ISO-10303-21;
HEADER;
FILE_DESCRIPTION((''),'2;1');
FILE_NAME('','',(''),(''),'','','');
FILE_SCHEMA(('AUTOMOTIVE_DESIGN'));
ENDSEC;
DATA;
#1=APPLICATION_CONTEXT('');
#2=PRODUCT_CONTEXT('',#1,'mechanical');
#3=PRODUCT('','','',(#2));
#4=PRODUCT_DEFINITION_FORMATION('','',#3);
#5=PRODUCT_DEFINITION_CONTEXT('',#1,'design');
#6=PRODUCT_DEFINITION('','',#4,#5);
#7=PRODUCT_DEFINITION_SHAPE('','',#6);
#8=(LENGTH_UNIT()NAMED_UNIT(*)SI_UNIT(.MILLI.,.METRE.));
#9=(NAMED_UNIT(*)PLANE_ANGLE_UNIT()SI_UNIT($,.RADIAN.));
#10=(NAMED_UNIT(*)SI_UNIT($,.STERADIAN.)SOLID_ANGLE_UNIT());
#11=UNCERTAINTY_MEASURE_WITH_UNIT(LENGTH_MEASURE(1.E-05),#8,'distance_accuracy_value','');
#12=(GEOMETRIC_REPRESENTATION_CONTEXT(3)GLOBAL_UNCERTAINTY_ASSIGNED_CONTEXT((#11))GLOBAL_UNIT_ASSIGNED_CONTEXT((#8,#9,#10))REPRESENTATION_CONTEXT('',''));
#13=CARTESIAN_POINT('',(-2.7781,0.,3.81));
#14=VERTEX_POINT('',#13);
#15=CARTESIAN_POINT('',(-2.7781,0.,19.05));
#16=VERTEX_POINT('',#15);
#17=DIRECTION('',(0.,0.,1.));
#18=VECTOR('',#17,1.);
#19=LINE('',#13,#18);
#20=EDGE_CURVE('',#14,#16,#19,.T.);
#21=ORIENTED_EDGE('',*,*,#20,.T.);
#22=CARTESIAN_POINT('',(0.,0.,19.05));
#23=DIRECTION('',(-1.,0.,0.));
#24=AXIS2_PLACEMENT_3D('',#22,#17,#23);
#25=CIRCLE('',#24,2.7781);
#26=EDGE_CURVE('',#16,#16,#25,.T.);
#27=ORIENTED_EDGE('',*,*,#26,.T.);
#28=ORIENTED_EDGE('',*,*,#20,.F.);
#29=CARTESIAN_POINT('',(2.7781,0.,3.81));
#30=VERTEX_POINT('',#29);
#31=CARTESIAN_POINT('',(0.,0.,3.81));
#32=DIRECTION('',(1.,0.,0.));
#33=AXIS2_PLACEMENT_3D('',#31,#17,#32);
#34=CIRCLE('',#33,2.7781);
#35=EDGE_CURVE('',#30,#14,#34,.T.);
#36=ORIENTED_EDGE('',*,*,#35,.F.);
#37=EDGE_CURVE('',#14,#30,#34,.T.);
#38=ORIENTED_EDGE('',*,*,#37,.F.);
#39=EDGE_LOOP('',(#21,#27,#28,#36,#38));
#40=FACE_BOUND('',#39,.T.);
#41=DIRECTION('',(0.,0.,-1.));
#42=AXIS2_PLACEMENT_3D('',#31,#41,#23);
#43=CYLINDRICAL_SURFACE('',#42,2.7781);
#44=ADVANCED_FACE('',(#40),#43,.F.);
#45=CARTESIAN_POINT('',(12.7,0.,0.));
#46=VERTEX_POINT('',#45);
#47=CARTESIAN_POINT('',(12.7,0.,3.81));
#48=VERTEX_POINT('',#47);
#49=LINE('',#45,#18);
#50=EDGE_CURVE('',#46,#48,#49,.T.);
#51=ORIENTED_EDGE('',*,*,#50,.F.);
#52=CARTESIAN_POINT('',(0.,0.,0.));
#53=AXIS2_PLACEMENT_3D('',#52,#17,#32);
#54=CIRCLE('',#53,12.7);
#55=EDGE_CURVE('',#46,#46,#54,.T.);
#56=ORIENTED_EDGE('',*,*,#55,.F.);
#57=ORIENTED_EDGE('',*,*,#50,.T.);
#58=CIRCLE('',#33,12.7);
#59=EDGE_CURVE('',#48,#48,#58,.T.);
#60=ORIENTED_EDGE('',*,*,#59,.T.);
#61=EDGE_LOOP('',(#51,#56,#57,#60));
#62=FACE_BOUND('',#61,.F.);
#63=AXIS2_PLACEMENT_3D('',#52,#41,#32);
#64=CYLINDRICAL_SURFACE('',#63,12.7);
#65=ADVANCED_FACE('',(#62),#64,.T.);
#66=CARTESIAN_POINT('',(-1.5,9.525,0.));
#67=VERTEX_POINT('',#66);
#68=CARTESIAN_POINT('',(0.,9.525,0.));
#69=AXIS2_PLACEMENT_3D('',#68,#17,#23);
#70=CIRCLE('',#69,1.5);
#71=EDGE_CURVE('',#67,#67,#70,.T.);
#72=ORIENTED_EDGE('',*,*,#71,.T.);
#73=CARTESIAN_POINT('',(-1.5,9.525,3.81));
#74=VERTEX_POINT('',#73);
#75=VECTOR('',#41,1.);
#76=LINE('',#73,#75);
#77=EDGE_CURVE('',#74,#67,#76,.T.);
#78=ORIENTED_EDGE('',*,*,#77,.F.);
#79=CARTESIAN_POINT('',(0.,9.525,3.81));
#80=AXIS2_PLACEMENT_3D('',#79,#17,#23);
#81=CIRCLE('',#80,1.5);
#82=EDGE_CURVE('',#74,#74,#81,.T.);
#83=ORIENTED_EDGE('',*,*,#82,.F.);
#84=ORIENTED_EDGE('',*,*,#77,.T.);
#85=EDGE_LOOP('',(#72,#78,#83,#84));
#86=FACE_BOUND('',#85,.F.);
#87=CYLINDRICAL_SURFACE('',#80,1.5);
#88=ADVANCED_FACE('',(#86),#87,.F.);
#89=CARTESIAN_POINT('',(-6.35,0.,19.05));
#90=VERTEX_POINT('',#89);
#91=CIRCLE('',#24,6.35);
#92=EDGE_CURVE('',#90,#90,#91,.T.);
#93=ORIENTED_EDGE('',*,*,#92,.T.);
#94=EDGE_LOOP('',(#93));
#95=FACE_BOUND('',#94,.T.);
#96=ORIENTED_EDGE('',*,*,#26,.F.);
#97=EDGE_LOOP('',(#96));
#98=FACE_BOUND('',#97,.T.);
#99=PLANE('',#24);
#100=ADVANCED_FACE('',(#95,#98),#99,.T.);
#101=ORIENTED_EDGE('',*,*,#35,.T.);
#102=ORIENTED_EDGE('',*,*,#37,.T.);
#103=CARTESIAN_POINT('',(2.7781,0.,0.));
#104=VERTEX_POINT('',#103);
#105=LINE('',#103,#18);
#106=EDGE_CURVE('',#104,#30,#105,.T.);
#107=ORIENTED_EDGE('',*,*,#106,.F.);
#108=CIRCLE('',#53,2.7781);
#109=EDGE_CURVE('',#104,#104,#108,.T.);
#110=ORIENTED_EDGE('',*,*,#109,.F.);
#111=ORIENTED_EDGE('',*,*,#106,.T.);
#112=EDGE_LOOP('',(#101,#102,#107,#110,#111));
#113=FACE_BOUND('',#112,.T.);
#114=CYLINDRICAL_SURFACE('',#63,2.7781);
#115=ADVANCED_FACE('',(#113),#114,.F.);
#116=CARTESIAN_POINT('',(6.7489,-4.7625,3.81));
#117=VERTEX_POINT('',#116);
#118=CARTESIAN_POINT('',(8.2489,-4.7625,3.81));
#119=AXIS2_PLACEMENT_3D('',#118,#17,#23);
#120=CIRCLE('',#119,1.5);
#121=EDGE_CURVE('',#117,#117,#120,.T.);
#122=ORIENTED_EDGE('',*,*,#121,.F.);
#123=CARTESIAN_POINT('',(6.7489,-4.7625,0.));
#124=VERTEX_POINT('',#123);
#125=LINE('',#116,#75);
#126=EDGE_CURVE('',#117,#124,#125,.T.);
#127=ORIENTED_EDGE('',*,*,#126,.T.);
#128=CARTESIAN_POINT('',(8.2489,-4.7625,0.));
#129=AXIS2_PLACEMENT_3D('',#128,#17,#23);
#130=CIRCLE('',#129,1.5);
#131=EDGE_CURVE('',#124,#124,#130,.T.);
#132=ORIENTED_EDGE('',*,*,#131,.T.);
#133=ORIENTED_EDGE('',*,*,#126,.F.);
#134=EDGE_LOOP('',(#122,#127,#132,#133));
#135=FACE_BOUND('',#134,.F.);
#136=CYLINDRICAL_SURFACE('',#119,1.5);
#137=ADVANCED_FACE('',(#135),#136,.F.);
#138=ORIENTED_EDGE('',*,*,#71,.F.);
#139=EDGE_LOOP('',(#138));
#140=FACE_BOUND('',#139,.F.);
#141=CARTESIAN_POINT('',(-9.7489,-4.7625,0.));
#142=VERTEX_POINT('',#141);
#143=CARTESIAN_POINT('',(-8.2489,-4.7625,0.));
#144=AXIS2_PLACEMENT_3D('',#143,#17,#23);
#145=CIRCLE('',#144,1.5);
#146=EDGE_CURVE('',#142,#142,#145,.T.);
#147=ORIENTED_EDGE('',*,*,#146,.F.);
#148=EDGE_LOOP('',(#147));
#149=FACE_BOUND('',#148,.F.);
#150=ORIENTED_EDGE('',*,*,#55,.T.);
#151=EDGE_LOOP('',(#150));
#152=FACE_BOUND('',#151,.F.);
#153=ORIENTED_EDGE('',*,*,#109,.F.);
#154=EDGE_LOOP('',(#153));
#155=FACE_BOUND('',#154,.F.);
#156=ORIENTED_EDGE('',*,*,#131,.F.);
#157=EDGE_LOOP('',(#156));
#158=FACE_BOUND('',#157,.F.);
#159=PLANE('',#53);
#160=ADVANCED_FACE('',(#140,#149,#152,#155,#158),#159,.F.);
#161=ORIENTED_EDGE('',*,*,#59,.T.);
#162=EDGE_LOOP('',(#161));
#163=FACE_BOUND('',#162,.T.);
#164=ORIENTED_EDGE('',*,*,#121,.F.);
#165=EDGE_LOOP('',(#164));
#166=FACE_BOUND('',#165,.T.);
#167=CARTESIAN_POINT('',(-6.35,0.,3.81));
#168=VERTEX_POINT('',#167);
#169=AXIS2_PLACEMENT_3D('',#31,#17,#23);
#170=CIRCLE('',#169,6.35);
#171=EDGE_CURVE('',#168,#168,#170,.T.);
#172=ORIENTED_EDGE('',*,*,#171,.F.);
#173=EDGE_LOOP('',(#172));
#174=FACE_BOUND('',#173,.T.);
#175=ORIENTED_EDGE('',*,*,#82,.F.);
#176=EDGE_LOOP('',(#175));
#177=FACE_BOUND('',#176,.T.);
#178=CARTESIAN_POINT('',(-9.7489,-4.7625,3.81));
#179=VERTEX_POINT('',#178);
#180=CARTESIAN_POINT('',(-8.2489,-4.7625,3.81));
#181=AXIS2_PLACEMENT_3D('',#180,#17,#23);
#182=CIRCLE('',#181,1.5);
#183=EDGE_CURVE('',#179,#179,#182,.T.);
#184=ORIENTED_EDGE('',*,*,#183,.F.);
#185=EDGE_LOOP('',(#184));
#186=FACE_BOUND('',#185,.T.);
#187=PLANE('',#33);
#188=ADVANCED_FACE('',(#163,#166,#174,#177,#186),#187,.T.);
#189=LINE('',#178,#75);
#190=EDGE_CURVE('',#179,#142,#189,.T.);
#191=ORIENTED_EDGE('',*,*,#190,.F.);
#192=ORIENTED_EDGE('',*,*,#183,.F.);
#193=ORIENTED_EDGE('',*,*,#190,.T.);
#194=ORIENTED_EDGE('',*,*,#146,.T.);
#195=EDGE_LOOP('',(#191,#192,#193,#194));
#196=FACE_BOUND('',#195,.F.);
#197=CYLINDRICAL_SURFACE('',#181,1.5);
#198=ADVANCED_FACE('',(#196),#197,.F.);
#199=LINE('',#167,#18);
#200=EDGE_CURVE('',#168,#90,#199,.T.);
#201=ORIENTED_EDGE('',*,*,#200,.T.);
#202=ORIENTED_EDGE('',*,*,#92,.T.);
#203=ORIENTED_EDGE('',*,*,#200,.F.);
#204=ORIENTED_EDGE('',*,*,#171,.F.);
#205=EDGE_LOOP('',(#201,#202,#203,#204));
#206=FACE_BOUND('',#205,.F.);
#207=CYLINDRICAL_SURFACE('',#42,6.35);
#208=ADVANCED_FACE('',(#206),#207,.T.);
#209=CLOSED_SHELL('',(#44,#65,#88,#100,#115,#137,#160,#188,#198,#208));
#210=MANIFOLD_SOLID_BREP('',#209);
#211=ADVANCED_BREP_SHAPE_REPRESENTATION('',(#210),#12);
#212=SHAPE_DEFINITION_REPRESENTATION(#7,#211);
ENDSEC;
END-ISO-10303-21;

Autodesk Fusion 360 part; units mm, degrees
sketch "Sketch1" plane through (0, 0, 0) normal (0, 0, 1) x (1, 0, 0)
  circle A0 centre (0, 0) radius 12.7
  circle A1 centre (0, 0) radius 2.7781
  dimension "d1" = 25.4
  dimension "d2" = 5.5563
extrude "Extrude1" add sketch "Sketch1" along normal blind 3.81
sketch "Sketch2" plane through (0, 0, 3.81) normal (0, 0, 1) x (-1, 0, 0)
  circle A0 centre (0, 0) radius 2.7781
  circle A1 centre (0, 0) radius 12.7
  circle A2 centre (0, 0) radius 2.7781
  circle A3 centre (0, 0) radius 6.35
  line L0 (0, 0) -> (0, -12.7) construction
  line L1 (0, 0) -> (0, 12.7) construction
  line L2 (0, 0) -> (-12.7, 0) construction
  line L3 (0, 0) -> (12.7, 0) construction
  circle A4 centre (0, 0) radius 9.525 construction
  circle A5 centre (0, -9.525) radius 1.5
  arc A6 (-8.2489, 4.7625) -> (0, -9.525) centre (0, 0) ccw construction
  line L4 (0, 0) -> (-8.2489, 4.7625) construction
  line L5 (0, 0) -> (0, -9.525) construction
  arc A7 (0, -9.525) -> (8.2489, 4.7625) centre (0, 0) ccw construction
  line L6 (0, 0) -> (0, -9.525) construction
  line L7 (0, 0) -> (8.2489, 4.7625) construction
  circle A8 centre (-8.2489, 4.7625) radius 1.5
  circle A9 centre (8.2489, 4.7625) radius 1.5
  dimension "d5" = 5.5563
  dimension "d6" = 12.7
  dimension "d9" = 19.05
  dimension "d10" = 3
  dimension "d11" = 120
  dimension "d12" = 120
  dimension "d13" = 3
  dimension "d14" = 3
extrude "Extrude3" cut sketch "Sketch2" against normal blind 3.81 contours A5 | A8 | A9
extrude "Extrude2" add sketch "Sketch2" along normal blind 15.24 contours A3
equation "d7 = 19.05 mm - 3.81 mm"
